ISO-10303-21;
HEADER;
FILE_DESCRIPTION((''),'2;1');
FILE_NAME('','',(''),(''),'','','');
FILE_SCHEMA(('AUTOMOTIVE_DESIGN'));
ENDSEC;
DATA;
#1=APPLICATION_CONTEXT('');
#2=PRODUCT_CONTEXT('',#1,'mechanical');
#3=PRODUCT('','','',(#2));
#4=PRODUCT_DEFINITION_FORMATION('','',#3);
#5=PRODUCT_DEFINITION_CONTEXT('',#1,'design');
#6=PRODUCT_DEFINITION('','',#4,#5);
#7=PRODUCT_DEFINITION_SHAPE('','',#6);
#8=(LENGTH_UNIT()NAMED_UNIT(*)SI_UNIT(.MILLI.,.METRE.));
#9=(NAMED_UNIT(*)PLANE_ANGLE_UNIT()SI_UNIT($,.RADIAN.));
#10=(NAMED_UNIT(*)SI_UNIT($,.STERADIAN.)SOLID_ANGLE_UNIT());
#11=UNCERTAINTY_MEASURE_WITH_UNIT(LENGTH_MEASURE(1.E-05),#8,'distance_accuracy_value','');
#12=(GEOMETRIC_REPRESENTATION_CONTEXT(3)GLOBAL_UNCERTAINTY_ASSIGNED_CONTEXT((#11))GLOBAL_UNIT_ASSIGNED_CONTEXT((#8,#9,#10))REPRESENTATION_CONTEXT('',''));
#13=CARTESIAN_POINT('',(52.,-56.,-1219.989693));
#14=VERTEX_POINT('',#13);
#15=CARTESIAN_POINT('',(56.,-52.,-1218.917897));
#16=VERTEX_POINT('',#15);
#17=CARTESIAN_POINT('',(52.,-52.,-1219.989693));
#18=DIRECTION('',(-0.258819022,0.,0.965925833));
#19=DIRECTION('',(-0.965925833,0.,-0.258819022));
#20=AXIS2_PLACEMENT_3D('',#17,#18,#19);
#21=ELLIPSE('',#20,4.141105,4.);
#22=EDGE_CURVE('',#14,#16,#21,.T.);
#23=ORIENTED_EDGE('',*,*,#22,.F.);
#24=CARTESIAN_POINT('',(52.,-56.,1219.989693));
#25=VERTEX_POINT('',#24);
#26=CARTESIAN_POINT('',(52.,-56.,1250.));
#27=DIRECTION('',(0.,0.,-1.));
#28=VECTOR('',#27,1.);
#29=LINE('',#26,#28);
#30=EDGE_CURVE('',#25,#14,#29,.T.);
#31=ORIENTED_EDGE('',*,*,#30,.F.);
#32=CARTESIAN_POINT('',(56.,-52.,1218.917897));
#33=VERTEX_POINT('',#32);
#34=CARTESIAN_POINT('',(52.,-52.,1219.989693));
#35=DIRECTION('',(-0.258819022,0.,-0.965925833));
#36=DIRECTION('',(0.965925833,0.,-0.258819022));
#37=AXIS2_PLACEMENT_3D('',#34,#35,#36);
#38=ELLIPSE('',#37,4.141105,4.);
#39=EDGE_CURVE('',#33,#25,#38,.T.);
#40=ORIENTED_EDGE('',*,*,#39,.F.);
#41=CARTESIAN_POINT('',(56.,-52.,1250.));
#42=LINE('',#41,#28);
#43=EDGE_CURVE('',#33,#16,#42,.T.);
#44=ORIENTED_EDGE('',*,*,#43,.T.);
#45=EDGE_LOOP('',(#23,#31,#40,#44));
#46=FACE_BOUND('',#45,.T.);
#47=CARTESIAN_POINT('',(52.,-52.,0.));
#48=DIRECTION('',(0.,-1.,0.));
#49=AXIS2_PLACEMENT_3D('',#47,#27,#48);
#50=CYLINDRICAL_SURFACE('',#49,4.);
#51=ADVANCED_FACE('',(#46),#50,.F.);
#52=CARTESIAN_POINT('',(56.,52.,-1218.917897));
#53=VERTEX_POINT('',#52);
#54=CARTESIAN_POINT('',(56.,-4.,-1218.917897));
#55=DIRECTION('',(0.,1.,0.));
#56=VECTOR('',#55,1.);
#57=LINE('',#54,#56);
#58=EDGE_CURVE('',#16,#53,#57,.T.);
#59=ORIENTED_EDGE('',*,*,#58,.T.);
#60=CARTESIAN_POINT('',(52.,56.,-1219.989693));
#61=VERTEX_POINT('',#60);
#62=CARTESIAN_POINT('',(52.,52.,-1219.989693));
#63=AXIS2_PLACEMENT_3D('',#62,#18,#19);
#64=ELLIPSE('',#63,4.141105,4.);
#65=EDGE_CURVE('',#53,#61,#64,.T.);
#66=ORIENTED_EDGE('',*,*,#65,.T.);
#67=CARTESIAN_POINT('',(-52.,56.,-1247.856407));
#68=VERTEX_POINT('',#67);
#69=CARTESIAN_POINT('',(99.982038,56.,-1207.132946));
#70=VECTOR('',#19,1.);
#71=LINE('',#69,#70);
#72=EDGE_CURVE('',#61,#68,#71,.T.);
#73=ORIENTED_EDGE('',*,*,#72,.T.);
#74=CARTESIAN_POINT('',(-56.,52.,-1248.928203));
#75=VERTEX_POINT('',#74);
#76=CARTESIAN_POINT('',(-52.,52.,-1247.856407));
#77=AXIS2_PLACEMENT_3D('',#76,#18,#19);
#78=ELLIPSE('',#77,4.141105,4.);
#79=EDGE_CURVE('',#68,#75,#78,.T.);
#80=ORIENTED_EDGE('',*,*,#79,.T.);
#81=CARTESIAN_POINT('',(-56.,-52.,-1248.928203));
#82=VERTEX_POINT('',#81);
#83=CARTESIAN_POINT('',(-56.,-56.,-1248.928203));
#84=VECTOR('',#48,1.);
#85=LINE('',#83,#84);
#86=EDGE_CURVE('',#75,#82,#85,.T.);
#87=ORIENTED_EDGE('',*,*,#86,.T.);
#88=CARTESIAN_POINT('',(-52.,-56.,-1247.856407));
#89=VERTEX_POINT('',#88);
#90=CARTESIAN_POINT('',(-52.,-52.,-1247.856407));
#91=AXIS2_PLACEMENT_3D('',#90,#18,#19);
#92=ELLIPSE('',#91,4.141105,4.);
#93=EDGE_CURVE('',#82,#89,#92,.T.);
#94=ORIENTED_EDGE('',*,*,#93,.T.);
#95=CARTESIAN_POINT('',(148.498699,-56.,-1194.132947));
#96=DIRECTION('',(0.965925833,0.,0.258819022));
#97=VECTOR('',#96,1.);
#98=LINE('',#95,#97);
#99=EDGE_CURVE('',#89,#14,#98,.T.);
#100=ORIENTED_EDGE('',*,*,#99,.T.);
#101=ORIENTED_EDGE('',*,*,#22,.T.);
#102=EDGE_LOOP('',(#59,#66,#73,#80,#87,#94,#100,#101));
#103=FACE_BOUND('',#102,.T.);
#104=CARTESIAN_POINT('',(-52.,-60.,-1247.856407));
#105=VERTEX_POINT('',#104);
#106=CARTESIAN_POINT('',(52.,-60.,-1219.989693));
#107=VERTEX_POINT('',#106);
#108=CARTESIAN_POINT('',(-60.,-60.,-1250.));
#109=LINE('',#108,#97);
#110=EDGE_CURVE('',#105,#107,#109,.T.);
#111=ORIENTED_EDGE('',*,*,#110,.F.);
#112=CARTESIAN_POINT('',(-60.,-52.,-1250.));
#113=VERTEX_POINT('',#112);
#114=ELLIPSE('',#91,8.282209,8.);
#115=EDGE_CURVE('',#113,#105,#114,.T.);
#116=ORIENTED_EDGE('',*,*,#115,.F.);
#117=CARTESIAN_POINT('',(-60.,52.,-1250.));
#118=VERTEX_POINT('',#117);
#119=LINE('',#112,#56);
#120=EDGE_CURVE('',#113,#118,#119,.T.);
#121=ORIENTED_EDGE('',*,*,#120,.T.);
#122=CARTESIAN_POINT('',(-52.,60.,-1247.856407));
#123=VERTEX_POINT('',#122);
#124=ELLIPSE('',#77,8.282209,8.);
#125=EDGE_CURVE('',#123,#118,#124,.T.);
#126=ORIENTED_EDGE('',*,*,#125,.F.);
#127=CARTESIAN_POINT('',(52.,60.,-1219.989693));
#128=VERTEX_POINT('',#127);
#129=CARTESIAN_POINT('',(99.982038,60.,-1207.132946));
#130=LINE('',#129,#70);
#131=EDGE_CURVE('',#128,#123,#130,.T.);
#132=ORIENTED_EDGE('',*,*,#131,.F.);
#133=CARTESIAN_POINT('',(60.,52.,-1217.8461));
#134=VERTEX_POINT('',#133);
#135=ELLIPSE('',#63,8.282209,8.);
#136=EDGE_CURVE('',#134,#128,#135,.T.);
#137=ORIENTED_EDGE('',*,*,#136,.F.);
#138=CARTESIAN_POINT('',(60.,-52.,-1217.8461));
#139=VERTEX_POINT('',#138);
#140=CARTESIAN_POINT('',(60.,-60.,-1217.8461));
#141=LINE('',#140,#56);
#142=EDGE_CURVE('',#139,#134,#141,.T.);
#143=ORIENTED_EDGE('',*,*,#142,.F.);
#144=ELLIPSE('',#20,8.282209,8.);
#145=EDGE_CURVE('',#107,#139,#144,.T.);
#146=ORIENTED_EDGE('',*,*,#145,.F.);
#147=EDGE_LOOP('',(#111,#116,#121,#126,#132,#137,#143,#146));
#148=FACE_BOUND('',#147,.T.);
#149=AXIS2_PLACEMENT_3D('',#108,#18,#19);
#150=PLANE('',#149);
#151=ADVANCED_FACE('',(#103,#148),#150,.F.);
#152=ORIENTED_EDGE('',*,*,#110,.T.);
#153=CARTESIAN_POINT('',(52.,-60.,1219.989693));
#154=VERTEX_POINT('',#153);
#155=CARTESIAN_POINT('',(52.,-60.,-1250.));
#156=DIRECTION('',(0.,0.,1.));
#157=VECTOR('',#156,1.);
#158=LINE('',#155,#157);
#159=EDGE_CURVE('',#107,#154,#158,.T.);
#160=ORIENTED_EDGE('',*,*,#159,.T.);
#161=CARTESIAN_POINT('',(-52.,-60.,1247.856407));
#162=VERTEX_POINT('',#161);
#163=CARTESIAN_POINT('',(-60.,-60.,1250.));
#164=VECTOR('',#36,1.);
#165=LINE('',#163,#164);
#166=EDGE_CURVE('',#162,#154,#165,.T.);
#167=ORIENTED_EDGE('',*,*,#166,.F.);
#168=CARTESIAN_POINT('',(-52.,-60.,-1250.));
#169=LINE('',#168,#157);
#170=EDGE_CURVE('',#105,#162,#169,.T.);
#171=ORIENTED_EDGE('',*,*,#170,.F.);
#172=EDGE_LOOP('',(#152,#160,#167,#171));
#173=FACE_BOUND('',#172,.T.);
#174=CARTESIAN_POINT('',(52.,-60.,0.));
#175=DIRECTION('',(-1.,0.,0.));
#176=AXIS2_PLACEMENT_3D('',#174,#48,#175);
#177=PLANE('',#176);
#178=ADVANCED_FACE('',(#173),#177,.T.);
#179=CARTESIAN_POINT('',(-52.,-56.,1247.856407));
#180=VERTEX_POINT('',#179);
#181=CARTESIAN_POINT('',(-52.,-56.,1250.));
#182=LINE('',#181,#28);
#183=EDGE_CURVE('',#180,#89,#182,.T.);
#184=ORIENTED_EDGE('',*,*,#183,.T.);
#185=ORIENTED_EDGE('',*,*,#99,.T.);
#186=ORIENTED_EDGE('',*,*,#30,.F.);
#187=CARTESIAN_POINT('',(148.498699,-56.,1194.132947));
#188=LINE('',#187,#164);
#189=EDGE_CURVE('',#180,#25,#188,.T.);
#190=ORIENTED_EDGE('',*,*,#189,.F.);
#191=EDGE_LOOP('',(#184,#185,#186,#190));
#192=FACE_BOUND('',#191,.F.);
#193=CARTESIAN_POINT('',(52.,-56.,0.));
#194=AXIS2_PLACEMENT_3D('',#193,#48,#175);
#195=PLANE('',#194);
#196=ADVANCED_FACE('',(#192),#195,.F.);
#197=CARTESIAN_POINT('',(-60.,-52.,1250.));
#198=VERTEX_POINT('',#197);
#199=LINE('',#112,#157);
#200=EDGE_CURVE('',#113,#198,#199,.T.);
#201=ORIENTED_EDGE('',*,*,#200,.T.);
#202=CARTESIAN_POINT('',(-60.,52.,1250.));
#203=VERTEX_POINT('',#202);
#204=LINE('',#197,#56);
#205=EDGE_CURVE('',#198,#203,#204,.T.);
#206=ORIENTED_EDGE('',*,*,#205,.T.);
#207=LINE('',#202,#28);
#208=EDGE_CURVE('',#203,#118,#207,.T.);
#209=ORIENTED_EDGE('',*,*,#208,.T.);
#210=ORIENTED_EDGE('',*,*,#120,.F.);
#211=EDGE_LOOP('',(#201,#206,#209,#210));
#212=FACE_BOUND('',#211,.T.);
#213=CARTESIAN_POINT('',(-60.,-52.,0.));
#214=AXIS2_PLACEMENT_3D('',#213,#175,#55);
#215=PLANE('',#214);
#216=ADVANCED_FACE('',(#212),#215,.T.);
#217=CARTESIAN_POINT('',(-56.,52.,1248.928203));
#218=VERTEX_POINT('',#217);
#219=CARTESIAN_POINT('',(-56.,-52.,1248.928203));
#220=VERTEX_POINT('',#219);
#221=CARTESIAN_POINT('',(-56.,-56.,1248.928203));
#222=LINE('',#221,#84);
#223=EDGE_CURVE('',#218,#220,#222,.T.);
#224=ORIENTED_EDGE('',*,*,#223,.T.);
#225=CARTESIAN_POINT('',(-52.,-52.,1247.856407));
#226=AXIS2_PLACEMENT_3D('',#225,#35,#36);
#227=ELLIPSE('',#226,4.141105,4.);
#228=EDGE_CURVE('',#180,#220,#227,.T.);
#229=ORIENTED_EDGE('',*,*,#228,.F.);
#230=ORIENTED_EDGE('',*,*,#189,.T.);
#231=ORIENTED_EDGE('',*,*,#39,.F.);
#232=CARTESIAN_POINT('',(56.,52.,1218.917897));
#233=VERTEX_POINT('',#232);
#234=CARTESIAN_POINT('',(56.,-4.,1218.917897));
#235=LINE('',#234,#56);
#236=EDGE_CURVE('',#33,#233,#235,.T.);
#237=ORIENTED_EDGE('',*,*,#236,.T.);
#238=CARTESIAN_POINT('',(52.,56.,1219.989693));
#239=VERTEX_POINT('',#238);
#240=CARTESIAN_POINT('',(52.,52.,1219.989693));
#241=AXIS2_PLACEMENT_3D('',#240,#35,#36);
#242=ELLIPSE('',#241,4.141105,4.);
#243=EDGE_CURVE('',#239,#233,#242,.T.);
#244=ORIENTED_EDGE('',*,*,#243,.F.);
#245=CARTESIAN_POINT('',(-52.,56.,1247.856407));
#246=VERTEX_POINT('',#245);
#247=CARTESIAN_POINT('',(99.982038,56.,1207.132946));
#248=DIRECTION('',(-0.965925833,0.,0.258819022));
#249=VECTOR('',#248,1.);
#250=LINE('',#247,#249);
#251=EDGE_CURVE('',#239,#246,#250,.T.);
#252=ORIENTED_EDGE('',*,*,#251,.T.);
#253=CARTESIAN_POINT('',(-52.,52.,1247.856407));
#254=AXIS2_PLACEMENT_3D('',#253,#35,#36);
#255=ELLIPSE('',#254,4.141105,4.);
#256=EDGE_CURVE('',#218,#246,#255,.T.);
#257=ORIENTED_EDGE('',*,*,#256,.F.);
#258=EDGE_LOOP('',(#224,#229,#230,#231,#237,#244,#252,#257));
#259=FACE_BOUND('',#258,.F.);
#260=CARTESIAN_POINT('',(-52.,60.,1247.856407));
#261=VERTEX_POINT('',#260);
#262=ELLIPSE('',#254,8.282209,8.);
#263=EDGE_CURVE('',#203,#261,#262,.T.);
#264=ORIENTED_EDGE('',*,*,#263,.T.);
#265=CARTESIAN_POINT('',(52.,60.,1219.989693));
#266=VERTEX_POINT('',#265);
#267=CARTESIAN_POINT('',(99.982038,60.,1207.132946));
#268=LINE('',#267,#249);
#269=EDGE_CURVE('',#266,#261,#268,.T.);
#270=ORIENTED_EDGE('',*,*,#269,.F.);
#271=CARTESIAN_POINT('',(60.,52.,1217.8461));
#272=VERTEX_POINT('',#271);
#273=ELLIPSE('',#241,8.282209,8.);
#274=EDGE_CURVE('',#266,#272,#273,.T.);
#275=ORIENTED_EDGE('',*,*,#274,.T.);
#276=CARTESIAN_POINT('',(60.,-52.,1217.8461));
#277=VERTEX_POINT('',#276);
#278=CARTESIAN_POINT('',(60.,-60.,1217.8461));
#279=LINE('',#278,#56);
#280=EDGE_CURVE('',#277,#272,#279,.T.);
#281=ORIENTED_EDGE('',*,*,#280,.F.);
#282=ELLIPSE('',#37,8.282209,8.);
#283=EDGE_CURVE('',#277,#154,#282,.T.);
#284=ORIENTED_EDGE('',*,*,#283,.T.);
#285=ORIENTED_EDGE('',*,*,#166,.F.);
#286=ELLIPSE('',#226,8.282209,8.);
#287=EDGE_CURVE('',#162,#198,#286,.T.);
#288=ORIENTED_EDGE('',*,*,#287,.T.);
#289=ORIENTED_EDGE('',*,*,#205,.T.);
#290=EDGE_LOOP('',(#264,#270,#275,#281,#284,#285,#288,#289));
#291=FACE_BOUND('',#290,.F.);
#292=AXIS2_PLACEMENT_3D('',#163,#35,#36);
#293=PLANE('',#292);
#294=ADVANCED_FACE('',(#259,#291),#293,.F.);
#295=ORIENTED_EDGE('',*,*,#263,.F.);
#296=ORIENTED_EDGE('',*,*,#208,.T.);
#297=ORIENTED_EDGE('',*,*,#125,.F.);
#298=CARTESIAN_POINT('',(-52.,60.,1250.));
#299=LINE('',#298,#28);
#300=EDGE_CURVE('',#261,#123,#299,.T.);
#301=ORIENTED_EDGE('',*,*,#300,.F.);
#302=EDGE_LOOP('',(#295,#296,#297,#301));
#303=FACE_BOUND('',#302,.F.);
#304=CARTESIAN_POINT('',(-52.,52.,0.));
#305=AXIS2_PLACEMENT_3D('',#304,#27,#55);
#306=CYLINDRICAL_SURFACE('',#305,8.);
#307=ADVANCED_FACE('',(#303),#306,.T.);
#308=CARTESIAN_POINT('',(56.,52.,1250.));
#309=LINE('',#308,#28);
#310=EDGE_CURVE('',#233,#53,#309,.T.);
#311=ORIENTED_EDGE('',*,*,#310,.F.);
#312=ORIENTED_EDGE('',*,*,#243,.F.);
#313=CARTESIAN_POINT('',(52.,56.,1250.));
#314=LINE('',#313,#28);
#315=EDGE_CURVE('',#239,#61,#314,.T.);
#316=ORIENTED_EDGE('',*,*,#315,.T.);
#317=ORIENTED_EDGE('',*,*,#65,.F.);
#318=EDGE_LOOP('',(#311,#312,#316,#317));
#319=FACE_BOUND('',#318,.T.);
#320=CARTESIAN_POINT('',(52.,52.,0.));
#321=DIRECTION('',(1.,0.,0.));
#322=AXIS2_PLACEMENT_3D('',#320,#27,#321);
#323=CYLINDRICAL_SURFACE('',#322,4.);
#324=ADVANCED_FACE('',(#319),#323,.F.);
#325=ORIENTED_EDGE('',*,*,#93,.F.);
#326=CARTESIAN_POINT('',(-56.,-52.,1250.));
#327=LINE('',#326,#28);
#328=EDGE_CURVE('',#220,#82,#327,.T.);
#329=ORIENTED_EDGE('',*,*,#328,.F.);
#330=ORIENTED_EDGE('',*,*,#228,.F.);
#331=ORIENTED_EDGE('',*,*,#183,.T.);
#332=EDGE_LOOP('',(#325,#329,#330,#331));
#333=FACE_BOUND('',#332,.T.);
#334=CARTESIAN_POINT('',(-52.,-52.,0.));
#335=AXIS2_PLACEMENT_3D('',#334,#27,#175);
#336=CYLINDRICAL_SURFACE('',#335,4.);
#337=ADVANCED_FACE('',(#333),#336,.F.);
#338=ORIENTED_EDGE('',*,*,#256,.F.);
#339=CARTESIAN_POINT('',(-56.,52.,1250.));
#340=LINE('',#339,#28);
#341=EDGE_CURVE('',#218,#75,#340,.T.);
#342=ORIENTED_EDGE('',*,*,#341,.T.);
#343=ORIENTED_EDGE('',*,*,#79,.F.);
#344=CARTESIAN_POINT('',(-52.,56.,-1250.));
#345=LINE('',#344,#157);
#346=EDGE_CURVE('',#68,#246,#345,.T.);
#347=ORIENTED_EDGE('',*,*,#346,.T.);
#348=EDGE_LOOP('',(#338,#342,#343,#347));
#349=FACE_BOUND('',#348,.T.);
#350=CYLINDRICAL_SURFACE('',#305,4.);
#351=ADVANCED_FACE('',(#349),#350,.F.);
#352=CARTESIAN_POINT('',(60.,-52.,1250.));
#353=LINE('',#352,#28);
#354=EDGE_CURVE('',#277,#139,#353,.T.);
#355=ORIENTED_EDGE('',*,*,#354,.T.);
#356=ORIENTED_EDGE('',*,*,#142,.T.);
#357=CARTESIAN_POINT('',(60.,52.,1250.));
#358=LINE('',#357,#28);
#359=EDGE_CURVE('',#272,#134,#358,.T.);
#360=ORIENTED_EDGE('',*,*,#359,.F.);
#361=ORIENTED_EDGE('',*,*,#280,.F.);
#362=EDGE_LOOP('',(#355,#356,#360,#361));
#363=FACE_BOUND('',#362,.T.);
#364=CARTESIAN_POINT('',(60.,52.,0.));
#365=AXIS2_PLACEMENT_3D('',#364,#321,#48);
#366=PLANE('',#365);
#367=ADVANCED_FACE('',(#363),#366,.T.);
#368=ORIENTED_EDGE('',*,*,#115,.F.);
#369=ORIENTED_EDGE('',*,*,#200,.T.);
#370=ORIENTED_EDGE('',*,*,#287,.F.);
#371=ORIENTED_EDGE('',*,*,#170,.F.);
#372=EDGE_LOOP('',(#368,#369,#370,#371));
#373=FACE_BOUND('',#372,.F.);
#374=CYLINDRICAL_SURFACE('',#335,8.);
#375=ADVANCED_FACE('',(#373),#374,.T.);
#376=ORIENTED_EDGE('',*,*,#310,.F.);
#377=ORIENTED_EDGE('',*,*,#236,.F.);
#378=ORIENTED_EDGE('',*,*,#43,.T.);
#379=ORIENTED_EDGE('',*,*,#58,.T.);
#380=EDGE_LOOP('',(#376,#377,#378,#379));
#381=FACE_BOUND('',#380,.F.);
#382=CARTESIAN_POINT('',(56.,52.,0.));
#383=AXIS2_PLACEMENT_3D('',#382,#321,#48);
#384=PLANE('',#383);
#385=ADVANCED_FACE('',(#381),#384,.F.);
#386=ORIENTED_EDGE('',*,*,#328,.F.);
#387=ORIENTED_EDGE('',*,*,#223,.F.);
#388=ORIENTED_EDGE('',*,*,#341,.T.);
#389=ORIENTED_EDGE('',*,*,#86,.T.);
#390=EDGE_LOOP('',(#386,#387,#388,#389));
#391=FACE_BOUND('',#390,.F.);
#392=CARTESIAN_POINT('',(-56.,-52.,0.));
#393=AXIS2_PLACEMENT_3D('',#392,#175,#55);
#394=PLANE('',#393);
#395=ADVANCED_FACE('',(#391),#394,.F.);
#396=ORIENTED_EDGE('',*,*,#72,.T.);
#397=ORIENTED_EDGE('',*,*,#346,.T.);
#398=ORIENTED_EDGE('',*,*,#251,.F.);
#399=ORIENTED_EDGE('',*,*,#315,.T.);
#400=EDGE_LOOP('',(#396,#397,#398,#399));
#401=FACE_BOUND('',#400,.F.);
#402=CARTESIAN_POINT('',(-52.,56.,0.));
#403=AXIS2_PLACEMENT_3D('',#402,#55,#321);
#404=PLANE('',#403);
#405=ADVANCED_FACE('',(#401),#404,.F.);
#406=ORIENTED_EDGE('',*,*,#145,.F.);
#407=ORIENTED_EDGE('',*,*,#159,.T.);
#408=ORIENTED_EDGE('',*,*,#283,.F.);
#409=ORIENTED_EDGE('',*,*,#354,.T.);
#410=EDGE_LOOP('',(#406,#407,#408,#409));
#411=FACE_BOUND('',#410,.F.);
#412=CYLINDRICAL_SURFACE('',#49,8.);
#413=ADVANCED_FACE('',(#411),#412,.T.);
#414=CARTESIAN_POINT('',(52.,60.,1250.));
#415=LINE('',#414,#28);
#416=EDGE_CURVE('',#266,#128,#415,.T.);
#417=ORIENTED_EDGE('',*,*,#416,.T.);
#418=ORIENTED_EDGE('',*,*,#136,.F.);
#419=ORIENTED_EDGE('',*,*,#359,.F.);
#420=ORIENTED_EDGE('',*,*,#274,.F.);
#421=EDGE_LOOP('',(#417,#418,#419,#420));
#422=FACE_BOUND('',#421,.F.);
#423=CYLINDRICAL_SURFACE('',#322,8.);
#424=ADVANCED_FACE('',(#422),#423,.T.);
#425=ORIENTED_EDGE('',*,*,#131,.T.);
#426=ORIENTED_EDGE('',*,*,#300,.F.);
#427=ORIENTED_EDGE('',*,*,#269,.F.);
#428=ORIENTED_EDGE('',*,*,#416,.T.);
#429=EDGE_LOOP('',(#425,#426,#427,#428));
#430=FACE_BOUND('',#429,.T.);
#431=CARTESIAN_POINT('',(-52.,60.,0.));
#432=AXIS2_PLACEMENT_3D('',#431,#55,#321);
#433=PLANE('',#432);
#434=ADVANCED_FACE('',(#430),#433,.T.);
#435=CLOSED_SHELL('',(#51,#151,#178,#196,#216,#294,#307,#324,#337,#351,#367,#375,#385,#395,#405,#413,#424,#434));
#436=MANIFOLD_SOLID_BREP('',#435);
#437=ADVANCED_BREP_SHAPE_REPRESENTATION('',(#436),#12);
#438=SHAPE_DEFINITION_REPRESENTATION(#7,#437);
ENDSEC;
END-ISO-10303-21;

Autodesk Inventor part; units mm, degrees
ref_plane "YZ Plane" through (0, 0, 0) normal (1, 0, 0) x (0, 1, 0)
ref_plane "XZ Plane" through (0, 0, 0) normal (0, 1, 0) x (-1, 0, 0)
ref_plane "XY Plane" through (0, 0, 0) normal (0, 0, 1) x (1, 0, 0)
sketch "Sketch1" plane through (0, 0, 0) normal (0, 0, 1) x (1, 0, 0)
  line L0 (-60, -52) -> (-60, 52)
  line L1 (-52, 60) -> (52, 60)
  line L2 (60, 52) -> (60, -52)
  line L3 (52, -60) -> (-52, -60)
  arc A0 (-60, -52) -> (-52, -60) centre (-52, -52) ccw
  arc A1 (60, 52) -> (52, 60) centre (52, 52) ccw
  arc A2 (-52, 60) -> (-60, 52) centre (-52, 52) ccw
  arc A3 (52, -60) -> (60, -52) centre (52, -52) ccw
  arc A4 (-52, 56) -> (-56, 52) centre (-52, 52) ccw
  line L4 (-52, 56) -> (52, 56)
  arc A5 (56, 52) -> (52, 56) centre (52, 52) ccw
  line L5 (56, 52) -> (56, -52)
  arc A6 (52, -56) -> (56, -52) centre (52, -52) ccw
  line L6 (52, -56) -> (-52, -56)
  arc A7 (-56, -52) -> (-52, -56) centre (-52, -52) ccw
  line L7 (-56, -52) -> (-56, 52)
  point P0 (0, 0)
  point P1 (0, 0)
  point P2 (0, 60)
  point P3 (60, 0)
  dimension "d0" = 8
  dimension "d1" = 120
  dimension "d2" = 120
  dimension "d3" = 4
extrude "Extrusion1" add sketch "Sketch1" along normal mid plane 2500
sketch "Sketch2" plane through (-52, -60, 1250) normal (0, -1, 0) x (1, 0, 0)
  line L0 (-8, -2500) -> (-8, 0) projected
  line L1 (-8, 0) -> (112, -32.1539)
  line L2 (112, -2500) -> (112, 0) projected
  line L3 (0, 0) -> (104, 0) projected
  line L4 (112, 0) -> (104, 0) projected
  line L5 (0, 0) -> (-8, 0) projected
  point P0 (52, -1250)
  dimension "d16" = 15
extrude "Extrusion2" cut sketch "Sketch2" against normal blind 2000
mirror "Mirror1" about plane through (0, 0, 0) normal (0, 0, 1) of "Extrusion2"
equation "\"d0\" = d6"
equation "\"d1\" = d7"
equation "\"d2\" = d8"
equation "\"d3\" = d9"
equation "\"d6\" = 8"
equation "\"d7\" = 120"
equation "\"d8\" = 120"
equation "\"d9\" = 4"
properties part number "Crossbar"
